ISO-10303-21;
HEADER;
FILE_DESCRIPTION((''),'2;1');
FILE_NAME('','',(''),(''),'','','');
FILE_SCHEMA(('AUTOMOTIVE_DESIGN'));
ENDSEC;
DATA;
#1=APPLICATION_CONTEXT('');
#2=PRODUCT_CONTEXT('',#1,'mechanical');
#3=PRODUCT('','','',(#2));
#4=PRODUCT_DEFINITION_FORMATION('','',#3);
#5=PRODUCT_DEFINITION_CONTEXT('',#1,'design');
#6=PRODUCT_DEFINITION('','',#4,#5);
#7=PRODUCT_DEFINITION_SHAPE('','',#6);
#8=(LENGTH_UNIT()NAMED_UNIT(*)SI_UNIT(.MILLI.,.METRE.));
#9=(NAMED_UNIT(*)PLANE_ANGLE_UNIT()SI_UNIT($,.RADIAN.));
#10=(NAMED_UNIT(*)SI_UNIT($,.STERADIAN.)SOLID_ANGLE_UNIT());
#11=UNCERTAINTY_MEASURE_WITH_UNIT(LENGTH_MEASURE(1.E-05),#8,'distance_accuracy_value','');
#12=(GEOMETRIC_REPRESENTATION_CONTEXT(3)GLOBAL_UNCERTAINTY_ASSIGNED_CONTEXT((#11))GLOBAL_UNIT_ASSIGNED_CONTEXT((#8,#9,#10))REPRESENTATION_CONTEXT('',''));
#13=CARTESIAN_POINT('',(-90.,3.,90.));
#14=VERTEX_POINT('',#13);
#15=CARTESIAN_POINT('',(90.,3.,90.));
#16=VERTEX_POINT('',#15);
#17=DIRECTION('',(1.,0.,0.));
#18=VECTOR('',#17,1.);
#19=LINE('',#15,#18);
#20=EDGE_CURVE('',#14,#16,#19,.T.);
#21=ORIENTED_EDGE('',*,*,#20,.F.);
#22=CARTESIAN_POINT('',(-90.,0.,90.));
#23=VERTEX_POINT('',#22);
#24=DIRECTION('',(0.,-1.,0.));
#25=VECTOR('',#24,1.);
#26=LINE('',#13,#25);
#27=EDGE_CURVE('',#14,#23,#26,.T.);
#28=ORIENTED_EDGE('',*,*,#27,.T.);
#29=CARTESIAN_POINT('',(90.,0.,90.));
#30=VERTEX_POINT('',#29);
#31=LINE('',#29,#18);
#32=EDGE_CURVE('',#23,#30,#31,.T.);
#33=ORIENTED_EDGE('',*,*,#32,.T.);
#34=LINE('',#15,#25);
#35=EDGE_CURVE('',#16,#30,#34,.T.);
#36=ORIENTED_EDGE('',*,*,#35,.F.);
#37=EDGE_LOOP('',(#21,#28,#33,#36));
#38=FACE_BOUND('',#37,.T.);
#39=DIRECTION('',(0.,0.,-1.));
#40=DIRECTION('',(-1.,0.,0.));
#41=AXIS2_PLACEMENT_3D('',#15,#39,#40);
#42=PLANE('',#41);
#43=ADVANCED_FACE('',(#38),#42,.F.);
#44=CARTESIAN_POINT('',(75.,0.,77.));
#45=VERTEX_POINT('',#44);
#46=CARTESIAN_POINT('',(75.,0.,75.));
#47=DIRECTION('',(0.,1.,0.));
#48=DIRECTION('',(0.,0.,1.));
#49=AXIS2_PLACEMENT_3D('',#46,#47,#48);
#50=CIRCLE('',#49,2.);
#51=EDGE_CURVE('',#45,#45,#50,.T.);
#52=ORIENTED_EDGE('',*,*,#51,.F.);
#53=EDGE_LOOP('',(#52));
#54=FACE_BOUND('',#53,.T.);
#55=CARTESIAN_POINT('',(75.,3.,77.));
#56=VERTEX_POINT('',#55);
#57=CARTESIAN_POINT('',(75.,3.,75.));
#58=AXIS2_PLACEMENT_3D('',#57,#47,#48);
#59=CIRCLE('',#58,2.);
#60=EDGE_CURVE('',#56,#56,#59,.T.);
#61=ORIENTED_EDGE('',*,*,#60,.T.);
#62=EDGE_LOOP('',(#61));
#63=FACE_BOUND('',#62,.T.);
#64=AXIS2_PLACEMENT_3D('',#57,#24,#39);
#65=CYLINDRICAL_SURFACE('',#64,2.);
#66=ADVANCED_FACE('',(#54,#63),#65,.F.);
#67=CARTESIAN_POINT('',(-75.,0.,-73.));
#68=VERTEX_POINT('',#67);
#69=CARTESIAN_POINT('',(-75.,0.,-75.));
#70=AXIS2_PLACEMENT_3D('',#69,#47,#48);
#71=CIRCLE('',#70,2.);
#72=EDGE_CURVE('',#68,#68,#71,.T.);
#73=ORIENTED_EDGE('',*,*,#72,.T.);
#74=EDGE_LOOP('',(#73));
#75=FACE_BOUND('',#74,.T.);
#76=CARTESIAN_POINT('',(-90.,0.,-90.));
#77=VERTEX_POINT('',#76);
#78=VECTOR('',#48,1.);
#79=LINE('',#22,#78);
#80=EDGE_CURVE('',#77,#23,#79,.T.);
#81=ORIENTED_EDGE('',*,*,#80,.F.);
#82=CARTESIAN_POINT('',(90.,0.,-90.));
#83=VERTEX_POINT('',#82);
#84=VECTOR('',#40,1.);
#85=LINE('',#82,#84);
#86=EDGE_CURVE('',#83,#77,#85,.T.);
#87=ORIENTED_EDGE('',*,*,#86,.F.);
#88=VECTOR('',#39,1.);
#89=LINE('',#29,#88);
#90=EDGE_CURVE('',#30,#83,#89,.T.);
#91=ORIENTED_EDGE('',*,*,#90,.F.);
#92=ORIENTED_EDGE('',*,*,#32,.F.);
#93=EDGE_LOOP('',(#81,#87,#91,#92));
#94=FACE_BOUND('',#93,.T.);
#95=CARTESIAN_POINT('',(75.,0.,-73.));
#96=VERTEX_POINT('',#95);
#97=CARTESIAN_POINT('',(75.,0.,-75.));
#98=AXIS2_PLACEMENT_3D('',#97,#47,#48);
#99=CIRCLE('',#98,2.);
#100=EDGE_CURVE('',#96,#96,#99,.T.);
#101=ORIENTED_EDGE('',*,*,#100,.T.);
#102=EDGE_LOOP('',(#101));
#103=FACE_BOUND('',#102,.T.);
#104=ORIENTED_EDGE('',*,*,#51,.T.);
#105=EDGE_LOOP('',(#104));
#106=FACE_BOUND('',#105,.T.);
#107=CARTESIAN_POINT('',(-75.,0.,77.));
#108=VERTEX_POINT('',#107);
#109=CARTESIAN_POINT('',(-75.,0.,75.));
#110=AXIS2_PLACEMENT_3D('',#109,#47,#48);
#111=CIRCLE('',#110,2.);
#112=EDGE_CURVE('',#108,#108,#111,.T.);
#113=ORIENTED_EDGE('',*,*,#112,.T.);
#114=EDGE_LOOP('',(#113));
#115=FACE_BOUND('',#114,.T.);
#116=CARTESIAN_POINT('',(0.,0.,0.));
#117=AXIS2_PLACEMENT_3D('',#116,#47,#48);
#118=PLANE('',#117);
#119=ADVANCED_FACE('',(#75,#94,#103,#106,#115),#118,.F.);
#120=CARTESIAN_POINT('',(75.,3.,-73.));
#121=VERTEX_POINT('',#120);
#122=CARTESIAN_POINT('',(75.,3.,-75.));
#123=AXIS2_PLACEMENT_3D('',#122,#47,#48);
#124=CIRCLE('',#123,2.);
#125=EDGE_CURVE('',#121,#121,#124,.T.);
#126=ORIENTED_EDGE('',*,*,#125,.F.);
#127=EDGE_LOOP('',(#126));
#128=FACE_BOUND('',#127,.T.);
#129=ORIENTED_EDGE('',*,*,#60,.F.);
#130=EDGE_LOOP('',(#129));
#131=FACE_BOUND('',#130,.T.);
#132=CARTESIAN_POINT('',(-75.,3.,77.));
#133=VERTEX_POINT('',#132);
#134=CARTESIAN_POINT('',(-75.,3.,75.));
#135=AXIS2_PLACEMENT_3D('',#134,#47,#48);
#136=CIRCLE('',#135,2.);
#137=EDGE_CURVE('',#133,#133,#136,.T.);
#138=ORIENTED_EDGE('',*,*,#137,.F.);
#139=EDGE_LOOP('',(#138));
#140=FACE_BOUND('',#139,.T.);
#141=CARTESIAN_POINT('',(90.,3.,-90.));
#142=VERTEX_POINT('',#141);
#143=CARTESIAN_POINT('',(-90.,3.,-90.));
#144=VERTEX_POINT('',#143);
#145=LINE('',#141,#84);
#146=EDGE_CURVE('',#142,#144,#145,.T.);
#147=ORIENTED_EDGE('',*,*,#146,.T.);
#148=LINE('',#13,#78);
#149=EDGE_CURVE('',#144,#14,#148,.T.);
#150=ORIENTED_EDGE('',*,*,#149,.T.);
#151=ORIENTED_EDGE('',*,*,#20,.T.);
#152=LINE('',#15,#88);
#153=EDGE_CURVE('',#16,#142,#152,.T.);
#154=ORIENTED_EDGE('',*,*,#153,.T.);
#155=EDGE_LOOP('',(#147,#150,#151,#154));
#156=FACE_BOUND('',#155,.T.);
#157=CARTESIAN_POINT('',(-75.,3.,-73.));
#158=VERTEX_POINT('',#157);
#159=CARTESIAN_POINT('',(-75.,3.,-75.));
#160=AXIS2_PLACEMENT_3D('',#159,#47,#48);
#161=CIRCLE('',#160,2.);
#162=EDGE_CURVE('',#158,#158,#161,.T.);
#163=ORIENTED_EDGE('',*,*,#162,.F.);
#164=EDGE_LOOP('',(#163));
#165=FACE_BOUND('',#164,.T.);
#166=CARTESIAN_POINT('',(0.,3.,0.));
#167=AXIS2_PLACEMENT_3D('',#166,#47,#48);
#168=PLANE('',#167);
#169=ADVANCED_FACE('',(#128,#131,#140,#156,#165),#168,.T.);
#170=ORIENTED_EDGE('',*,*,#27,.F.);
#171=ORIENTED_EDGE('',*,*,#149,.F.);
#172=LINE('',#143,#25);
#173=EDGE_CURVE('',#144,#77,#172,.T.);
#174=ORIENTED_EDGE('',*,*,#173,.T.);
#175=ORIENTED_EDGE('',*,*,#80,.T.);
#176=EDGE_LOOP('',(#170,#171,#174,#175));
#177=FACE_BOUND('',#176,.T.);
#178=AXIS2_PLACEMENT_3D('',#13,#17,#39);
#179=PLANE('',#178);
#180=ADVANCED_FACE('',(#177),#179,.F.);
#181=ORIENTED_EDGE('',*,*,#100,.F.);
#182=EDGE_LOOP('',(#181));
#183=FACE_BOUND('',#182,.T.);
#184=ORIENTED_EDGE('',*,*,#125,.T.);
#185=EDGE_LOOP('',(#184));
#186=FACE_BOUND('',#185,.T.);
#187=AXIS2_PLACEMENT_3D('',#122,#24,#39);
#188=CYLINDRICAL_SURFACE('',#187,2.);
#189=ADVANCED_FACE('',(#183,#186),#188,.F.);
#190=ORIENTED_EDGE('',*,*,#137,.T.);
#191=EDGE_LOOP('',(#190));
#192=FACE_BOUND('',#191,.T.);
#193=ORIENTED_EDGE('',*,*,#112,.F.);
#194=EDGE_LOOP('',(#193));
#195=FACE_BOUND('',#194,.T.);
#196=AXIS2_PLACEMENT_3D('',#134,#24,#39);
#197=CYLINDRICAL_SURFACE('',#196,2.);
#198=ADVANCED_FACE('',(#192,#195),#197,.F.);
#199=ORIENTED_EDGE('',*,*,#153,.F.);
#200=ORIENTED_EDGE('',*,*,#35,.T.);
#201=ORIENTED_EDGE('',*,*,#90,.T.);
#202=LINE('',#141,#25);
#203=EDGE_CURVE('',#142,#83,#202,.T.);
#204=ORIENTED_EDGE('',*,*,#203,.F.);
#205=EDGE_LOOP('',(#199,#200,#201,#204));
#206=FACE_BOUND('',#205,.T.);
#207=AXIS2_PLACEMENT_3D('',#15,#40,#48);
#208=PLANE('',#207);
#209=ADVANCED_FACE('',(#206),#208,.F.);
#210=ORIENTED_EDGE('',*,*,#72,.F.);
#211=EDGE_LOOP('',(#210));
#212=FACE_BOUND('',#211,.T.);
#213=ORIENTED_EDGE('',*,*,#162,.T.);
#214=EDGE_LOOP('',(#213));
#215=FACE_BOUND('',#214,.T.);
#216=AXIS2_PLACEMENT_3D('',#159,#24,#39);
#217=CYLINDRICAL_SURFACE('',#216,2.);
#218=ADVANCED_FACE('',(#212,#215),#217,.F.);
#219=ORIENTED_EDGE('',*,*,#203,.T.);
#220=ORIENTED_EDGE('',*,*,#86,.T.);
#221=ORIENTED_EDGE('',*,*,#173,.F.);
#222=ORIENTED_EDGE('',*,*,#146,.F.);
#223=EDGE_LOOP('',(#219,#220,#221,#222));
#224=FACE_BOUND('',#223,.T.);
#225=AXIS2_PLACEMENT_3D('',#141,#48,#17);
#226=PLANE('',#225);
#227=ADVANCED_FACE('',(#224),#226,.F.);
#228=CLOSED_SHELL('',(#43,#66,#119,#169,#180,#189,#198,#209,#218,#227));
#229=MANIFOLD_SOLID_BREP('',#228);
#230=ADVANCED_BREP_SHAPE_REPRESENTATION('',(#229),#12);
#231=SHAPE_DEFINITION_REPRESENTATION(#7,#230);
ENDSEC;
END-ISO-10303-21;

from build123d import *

# Parameters (mm, degrees)
SKETCH1_W           = 180
SKETCH1_H           = 180
SKETCH1_R           = 2
BOSS_EXTRUDE1_DEPTH = 3


with BuildPart() as part:
    # Sketch1 → Boss-Extrude1 (new body)
    with BuildSketch(Plane(origin=(0, 0, 0), x_dir=(1, 0, 0), z_dir=(0, 1, 0))):
        Rectangle(SKETCH1_W, SKETCH1_H)
        with Locations((-75, 75)):
            Circle(SKETCH1_R, mode=Mode.SUBTRACT)
        with Locations((75, 75)):
            Circle(SKETCH1_R, mode=Mode.SUBTRACT)
        with Locations((-75, -75)):
            Circle(SKETCH1_R, mode=Mode.SUBTRACT)
        with Locations((75, -75)):
            Circle(SKETCH1_R, mode=Mode.SUBTRACT)
    extrude(amount=BOSS_EXTRUDE1_DEPTH)


solid = part.part
